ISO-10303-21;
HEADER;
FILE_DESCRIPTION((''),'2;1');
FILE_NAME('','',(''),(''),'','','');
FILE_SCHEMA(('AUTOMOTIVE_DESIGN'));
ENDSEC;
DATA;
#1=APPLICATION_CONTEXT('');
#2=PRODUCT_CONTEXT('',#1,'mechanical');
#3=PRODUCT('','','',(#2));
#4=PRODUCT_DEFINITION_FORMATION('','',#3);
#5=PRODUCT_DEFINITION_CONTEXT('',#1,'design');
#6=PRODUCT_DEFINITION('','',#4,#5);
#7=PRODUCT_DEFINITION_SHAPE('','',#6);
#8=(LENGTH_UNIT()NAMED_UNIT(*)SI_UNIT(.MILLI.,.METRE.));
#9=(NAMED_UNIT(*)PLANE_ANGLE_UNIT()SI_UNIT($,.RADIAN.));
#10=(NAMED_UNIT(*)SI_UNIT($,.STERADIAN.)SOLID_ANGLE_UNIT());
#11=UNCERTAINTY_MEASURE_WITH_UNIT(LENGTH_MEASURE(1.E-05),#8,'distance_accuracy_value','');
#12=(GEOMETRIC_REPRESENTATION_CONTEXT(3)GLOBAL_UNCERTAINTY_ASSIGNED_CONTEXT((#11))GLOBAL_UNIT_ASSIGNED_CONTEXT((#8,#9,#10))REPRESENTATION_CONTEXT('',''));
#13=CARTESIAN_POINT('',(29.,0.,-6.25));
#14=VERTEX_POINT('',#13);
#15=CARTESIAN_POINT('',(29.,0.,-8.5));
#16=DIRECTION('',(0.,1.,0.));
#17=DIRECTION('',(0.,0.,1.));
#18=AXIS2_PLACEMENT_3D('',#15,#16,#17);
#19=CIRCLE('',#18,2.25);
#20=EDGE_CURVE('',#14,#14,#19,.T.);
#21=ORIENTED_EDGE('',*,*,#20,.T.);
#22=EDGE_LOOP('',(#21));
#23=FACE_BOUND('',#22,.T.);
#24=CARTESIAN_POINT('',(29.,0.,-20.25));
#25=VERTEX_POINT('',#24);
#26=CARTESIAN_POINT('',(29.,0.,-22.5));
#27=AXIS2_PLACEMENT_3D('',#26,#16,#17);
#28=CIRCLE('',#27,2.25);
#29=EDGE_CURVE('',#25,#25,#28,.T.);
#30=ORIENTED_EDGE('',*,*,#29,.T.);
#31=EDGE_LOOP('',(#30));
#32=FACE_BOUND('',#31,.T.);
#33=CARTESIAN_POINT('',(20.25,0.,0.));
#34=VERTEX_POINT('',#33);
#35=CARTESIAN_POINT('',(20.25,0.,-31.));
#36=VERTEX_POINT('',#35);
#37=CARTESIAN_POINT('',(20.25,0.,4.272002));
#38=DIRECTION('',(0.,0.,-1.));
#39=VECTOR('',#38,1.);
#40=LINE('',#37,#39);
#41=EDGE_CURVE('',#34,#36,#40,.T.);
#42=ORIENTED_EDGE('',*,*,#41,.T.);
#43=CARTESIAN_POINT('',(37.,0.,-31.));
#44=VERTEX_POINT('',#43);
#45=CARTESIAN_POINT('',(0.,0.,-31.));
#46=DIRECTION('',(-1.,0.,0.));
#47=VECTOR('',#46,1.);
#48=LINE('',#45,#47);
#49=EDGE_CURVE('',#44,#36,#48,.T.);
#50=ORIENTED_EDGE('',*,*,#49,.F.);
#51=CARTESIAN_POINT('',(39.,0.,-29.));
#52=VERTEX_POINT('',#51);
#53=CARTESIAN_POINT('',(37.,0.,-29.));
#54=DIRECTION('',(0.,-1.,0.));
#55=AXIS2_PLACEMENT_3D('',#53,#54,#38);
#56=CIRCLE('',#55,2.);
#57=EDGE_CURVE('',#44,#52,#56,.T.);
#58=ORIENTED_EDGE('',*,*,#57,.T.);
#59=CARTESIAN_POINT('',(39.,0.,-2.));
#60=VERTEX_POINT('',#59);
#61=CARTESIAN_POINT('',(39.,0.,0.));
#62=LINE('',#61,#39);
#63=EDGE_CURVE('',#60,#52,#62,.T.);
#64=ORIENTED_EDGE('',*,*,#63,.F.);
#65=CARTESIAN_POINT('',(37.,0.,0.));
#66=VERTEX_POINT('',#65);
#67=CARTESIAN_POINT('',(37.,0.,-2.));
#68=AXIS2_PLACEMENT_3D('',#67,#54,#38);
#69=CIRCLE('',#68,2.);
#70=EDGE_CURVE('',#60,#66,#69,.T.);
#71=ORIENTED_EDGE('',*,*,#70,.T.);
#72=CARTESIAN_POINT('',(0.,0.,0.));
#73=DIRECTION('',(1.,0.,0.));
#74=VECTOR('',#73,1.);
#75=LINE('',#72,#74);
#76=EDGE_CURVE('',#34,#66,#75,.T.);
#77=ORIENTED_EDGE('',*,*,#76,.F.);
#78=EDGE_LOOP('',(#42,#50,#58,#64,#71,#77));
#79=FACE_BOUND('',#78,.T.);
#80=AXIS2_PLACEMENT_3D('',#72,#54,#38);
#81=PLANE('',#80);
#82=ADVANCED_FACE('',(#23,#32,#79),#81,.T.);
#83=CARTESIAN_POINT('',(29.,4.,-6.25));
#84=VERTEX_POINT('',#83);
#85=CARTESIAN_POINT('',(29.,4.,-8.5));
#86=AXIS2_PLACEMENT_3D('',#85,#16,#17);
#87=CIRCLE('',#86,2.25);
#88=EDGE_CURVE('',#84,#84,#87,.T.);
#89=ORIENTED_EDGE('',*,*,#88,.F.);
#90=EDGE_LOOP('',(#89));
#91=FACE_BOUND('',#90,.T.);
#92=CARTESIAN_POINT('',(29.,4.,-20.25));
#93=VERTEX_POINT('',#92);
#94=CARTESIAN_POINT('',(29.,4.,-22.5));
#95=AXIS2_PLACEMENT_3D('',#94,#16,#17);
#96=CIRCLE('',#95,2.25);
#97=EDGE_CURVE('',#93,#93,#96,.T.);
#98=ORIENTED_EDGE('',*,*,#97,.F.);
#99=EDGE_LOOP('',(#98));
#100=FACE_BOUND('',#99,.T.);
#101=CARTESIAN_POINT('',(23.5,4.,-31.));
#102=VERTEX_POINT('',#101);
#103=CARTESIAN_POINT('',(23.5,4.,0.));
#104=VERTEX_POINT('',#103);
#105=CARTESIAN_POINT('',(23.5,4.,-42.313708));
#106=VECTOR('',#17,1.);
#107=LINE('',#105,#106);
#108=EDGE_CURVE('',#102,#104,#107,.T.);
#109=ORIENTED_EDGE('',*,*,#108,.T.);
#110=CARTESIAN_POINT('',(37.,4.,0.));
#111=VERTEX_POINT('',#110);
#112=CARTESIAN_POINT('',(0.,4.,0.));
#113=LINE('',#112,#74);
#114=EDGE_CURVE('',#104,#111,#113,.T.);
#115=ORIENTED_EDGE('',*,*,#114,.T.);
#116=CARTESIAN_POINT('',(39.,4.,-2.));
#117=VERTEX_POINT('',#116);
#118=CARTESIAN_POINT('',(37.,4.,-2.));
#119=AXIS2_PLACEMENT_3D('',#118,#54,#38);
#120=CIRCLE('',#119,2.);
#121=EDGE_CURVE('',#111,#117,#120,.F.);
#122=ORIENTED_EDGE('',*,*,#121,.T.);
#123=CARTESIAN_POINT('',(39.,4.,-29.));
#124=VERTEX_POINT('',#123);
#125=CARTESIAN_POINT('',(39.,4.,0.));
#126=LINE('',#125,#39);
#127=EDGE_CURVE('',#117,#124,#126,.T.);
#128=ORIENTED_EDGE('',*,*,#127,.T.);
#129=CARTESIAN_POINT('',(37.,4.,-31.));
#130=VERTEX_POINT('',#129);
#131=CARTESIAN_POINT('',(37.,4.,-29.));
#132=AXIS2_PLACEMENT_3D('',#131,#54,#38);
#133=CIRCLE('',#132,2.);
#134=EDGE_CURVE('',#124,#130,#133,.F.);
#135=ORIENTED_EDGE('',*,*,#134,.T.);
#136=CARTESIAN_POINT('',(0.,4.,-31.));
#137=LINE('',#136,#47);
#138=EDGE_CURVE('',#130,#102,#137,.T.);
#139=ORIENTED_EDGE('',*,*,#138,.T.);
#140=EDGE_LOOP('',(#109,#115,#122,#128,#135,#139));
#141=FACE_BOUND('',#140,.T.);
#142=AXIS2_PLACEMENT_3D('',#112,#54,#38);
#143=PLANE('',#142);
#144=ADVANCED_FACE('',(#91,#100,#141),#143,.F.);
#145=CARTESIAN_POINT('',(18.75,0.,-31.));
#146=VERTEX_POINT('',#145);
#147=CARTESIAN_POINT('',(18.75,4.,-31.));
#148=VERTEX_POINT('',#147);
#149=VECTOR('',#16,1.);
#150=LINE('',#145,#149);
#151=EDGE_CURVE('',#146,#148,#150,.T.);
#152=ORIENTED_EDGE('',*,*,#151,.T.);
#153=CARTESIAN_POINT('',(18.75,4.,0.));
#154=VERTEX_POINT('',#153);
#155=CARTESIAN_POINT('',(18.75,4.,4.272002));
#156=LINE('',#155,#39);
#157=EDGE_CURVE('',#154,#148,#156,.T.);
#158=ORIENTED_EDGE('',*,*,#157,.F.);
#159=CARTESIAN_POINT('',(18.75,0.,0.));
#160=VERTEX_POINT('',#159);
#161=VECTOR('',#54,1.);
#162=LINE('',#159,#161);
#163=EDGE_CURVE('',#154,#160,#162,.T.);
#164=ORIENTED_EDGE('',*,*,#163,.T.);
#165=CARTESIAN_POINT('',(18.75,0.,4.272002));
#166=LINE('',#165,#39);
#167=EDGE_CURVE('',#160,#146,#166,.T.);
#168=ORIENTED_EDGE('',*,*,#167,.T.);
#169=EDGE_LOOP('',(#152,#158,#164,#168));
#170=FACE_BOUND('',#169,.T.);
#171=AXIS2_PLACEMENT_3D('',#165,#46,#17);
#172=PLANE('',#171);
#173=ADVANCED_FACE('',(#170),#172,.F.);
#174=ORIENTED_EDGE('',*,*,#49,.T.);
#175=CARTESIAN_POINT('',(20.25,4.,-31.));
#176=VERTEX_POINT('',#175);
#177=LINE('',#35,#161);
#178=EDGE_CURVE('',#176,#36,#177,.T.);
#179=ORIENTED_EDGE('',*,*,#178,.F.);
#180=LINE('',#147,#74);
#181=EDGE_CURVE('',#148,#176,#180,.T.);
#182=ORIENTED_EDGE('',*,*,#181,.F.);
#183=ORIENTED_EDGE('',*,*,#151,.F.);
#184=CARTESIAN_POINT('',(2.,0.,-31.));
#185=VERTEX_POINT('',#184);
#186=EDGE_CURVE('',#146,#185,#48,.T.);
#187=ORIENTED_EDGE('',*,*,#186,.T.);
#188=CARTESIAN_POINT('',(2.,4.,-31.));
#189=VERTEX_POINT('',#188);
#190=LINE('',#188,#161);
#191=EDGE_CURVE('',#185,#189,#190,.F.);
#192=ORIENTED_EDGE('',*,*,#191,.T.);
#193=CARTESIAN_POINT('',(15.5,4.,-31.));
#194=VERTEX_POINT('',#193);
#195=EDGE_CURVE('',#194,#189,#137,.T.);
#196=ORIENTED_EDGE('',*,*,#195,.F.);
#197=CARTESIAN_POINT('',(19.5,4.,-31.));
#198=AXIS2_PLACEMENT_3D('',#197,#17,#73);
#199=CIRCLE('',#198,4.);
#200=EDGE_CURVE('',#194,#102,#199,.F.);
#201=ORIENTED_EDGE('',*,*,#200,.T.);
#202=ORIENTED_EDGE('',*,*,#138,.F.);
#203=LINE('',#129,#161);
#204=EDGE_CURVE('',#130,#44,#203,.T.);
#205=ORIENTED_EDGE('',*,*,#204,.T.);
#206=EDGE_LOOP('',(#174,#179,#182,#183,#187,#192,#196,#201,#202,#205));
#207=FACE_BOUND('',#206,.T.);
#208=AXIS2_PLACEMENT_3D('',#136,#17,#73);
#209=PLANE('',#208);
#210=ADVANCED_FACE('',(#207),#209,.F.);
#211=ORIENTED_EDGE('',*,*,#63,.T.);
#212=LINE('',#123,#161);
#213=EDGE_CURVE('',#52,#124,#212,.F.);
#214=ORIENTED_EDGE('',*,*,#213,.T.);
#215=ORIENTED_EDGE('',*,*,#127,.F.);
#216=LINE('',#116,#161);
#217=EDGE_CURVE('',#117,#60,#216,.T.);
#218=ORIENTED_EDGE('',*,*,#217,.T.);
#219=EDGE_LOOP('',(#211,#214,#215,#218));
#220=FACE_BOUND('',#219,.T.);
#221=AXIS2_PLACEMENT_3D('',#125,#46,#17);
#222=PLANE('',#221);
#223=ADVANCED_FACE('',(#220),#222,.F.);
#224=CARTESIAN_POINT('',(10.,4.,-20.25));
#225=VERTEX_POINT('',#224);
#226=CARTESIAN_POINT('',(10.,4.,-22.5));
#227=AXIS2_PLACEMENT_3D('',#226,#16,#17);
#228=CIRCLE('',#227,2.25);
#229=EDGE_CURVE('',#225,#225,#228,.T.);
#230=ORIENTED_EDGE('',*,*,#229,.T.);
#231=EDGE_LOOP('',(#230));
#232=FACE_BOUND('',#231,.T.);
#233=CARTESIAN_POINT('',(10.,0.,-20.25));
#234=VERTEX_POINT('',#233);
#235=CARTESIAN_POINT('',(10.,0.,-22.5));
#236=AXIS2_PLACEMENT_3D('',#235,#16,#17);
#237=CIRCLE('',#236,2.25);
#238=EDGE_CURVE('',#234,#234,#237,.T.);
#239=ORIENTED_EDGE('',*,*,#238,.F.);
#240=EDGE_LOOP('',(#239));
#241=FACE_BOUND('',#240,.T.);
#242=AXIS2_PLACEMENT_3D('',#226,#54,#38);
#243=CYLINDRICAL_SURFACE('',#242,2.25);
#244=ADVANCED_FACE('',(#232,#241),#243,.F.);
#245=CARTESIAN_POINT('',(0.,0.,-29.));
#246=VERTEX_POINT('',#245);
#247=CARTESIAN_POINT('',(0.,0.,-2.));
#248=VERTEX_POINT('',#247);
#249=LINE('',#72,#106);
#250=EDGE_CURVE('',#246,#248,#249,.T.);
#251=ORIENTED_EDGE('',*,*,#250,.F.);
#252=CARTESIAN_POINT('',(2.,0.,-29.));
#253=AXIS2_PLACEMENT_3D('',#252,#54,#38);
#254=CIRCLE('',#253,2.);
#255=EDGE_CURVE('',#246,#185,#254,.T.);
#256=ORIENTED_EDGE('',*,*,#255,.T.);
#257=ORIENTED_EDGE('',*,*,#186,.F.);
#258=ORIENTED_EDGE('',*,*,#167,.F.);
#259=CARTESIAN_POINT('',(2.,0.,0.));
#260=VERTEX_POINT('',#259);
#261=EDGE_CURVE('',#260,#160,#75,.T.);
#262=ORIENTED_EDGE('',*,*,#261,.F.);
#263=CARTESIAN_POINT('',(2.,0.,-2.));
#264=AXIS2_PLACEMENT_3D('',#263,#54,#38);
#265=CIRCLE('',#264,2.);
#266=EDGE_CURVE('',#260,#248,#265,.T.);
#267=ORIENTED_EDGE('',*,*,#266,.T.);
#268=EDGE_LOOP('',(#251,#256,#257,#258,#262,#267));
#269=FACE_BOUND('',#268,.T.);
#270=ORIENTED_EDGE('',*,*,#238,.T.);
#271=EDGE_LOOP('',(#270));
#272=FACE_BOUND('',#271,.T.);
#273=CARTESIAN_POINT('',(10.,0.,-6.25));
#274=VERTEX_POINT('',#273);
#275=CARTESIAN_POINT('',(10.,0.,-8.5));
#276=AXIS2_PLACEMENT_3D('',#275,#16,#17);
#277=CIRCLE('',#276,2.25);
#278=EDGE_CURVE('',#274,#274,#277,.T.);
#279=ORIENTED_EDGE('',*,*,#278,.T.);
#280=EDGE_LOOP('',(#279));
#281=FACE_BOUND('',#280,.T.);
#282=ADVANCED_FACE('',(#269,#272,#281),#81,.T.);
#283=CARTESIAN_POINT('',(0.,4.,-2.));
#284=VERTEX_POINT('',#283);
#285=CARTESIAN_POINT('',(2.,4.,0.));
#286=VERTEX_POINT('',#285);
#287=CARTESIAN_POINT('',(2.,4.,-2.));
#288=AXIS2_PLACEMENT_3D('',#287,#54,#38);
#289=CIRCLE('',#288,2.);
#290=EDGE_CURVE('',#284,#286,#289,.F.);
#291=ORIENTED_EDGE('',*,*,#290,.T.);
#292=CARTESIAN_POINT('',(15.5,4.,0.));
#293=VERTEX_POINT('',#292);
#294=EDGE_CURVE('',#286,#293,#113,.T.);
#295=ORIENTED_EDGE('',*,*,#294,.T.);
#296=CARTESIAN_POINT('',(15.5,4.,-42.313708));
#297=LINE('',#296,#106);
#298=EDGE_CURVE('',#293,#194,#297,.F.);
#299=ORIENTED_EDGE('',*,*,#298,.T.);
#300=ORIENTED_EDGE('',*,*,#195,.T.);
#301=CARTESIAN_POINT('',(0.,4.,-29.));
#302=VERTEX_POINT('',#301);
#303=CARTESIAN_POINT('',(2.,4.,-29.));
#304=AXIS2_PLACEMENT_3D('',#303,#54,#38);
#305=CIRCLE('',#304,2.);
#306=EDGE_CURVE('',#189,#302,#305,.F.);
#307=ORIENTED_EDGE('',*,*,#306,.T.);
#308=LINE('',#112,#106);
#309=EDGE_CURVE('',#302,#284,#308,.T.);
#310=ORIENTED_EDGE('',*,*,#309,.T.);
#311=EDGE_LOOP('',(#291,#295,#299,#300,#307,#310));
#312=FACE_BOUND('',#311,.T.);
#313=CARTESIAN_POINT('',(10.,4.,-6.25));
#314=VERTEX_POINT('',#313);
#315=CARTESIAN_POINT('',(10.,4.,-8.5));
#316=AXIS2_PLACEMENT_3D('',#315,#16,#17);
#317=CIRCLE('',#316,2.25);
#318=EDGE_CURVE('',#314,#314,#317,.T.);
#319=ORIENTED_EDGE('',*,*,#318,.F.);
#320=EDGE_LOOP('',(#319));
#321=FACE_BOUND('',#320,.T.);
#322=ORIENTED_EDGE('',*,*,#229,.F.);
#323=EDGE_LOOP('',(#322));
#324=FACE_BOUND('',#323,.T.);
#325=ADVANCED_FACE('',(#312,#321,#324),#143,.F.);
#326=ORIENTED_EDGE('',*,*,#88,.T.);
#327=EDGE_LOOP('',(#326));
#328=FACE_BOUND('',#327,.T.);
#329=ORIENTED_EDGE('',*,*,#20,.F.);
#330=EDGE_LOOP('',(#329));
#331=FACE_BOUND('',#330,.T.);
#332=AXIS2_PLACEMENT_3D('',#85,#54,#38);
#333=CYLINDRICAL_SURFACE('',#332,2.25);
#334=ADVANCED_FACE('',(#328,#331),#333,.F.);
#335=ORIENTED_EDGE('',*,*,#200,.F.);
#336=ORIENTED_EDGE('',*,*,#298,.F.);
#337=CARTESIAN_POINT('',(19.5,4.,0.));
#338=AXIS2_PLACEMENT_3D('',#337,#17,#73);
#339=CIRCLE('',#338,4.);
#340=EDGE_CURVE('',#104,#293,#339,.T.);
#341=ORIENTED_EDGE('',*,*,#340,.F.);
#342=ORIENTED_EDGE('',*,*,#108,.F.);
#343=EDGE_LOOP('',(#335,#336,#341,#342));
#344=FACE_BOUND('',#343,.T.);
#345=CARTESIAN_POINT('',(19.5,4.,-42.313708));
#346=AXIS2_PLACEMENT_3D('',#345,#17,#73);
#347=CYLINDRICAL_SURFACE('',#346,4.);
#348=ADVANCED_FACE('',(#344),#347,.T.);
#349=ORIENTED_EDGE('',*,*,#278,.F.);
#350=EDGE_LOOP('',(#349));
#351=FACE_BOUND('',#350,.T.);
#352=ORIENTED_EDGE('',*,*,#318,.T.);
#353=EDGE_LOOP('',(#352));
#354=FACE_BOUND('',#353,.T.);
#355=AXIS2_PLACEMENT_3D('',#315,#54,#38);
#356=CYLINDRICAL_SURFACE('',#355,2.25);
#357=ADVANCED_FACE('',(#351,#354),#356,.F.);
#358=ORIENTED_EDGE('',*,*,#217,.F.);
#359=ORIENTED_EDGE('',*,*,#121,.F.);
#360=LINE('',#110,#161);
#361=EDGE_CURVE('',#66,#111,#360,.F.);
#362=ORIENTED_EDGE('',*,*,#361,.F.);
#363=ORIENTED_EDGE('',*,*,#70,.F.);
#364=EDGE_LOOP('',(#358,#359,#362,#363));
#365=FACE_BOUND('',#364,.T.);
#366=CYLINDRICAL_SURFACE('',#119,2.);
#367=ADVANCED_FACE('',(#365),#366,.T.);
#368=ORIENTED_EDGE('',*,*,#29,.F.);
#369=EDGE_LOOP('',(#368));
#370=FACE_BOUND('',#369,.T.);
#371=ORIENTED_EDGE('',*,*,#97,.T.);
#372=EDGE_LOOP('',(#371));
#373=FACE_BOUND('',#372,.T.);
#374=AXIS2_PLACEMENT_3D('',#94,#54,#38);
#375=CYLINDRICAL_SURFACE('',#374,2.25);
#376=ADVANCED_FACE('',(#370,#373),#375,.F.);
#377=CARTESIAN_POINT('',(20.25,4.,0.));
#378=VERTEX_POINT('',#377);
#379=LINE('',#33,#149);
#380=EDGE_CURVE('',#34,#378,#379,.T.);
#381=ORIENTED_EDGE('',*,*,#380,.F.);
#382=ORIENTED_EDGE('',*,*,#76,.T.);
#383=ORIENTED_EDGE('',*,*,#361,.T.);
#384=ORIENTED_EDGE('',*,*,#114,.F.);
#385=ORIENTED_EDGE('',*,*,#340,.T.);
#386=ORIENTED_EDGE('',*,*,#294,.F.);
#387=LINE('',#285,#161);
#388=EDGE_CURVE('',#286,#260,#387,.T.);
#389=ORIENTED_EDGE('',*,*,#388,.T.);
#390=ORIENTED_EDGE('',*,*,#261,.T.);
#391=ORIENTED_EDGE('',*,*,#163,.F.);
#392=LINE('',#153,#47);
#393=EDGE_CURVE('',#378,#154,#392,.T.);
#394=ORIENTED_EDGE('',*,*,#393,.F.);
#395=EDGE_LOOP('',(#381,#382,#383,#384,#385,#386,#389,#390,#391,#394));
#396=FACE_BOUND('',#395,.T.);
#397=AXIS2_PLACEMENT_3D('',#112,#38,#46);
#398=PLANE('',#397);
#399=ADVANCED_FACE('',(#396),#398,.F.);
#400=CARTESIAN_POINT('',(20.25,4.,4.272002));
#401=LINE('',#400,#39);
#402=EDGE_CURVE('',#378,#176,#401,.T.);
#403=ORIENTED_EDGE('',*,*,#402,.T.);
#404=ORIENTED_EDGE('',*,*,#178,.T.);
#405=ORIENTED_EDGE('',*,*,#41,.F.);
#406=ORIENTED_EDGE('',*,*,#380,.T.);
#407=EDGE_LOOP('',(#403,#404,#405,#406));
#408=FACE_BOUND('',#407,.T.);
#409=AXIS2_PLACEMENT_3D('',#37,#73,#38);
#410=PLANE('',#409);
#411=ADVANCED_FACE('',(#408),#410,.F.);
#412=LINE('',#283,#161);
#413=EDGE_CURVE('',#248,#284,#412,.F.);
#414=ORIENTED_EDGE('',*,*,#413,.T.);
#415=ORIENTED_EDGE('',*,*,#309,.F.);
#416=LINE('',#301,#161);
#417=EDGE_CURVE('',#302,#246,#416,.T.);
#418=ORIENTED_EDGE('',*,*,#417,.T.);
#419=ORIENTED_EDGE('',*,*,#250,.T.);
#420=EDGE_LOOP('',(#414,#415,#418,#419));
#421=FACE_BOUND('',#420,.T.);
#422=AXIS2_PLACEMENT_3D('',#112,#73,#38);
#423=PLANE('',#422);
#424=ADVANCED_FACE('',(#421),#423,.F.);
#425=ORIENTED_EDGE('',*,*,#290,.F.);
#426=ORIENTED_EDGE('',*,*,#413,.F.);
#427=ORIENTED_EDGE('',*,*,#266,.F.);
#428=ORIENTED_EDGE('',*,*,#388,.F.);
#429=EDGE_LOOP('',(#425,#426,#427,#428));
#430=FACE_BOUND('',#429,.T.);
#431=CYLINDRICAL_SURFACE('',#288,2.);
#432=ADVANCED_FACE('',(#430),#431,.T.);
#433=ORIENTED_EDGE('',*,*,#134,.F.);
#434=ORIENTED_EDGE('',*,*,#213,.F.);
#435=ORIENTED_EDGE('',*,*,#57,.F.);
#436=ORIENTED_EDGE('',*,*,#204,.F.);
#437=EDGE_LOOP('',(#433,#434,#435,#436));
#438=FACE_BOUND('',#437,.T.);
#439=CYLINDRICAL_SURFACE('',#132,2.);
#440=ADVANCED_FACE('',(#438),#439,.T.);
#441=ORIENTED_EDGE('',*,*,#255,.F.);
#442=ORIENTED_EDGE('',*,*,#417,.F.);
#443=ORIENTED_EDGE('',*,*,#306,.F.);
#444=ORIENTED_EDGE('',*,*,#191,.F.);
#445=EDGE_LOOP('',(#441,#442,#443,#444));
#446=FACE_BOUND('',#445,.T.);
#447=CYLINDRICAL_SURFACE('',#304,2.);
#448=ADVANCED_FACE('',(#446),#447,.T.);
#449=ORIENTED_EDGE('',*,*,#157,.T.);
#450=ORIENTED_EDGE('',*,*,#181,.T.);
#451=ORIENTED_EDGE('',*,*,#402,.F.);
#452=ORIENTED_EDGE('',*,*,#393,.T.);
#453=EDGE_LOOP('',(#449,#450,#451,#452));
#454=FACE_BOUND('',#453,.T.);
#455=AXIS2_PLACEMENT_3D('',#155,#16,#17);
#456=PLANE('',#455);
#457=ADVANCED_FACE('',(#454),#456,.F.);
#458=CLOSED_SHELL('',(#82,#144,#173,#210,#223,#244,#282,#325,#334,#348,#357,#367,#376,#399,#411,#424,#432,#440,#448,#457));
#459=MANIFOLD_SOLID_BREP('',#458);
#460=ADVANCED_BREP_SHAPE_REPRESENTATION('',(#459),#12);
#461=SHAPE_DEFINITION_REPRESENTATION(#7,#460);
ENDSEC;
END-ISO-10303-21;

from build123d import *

# Parameters (mm, degrees)
CROQUIS1_W              = 39
CROQUIS1_H              = 31
CROQUIS1_R              = 2.25
SALIENTE_EXTRUIR1_DEPTH = 4
CROQUIS2_R              = 4
SALIENTE_EXTRUIR2_DEPTH = 31
CROQUIS3_W              = 1.5
CROQUIS3_H              = 4
CORTAR_EXTRUIR1_DEPTH   = 31
REDONDEO1_R             = 2


with BuildPart() as part:
    # Croquis1 → Saliente-Extruir1 (new body)
    with BuildSketch(Plane(origin=(0, 0, 0), x_dir=(1, 0, 0), z_dir=(0, 1, 0))):
        with Locations((19.5, 15.5)):
            Rectangle(CROQUIS1_W, CROQUIS1_H)
        with Locations(Location((10, 22.5, 0), (0, 0, 270))):
            Circle(CROQUIS1_R, mode=Mode.SUBTRACT)
        with Locations(Location((29, 22.5, 0), (0, 0, 270))):
            Circle(CROQUIS1_R, mode=Mode.SUBTRACT)
        with Locations(Location((29, 8.5, 0), (0, 0, 270))):
            Circle(CROQUIS1_R, mode=Mode.SUBTRACT)
        with Locations(Location((10, 8.5, 0), (0, 0, 270))):
            Circle(CROQUIS1_R, mode=Mode.SUBTRACT)
    extrude(amount=SALIENTE_EXTRUIR1_DEPTH)

    # Croquis2 → Saliente-Extruir2 (add)
    with BuildSketch(Plane.XY):
        with Locations((19.5, 4)):
            Circle(CROQUIS2_R)
    extrude(amount=-SALIENTE_EXTRUIR2_DEPTH)

    # Croquis3 → Cortar-Extruir1 (cut)
    with BuildSketch(Plane(origin=(0, 0, -31), x_dir=(-1, 0, 0), z_dir=(0, 0, -1))):
        with Locations((-19.5, 2)):
            Rectangle(CROQUIS3_W, CROQUIS3_H)
    extrude(amount=-CORTAR_EXTRUIR1_DEPTH, mode=Mode.SUBTRACT)

    # Redondeo1
    redondeo1_edges = [part.edges().sort_by_distance(p)[0] for p in [
        (0, 2, -31),
        (39, 2, -31),
        (39, 2, 0),
        (0, 2, 0),
    ]]
    fillet(redondeo1_edges, radius=REDONDEO1_R)


solid = part.part
